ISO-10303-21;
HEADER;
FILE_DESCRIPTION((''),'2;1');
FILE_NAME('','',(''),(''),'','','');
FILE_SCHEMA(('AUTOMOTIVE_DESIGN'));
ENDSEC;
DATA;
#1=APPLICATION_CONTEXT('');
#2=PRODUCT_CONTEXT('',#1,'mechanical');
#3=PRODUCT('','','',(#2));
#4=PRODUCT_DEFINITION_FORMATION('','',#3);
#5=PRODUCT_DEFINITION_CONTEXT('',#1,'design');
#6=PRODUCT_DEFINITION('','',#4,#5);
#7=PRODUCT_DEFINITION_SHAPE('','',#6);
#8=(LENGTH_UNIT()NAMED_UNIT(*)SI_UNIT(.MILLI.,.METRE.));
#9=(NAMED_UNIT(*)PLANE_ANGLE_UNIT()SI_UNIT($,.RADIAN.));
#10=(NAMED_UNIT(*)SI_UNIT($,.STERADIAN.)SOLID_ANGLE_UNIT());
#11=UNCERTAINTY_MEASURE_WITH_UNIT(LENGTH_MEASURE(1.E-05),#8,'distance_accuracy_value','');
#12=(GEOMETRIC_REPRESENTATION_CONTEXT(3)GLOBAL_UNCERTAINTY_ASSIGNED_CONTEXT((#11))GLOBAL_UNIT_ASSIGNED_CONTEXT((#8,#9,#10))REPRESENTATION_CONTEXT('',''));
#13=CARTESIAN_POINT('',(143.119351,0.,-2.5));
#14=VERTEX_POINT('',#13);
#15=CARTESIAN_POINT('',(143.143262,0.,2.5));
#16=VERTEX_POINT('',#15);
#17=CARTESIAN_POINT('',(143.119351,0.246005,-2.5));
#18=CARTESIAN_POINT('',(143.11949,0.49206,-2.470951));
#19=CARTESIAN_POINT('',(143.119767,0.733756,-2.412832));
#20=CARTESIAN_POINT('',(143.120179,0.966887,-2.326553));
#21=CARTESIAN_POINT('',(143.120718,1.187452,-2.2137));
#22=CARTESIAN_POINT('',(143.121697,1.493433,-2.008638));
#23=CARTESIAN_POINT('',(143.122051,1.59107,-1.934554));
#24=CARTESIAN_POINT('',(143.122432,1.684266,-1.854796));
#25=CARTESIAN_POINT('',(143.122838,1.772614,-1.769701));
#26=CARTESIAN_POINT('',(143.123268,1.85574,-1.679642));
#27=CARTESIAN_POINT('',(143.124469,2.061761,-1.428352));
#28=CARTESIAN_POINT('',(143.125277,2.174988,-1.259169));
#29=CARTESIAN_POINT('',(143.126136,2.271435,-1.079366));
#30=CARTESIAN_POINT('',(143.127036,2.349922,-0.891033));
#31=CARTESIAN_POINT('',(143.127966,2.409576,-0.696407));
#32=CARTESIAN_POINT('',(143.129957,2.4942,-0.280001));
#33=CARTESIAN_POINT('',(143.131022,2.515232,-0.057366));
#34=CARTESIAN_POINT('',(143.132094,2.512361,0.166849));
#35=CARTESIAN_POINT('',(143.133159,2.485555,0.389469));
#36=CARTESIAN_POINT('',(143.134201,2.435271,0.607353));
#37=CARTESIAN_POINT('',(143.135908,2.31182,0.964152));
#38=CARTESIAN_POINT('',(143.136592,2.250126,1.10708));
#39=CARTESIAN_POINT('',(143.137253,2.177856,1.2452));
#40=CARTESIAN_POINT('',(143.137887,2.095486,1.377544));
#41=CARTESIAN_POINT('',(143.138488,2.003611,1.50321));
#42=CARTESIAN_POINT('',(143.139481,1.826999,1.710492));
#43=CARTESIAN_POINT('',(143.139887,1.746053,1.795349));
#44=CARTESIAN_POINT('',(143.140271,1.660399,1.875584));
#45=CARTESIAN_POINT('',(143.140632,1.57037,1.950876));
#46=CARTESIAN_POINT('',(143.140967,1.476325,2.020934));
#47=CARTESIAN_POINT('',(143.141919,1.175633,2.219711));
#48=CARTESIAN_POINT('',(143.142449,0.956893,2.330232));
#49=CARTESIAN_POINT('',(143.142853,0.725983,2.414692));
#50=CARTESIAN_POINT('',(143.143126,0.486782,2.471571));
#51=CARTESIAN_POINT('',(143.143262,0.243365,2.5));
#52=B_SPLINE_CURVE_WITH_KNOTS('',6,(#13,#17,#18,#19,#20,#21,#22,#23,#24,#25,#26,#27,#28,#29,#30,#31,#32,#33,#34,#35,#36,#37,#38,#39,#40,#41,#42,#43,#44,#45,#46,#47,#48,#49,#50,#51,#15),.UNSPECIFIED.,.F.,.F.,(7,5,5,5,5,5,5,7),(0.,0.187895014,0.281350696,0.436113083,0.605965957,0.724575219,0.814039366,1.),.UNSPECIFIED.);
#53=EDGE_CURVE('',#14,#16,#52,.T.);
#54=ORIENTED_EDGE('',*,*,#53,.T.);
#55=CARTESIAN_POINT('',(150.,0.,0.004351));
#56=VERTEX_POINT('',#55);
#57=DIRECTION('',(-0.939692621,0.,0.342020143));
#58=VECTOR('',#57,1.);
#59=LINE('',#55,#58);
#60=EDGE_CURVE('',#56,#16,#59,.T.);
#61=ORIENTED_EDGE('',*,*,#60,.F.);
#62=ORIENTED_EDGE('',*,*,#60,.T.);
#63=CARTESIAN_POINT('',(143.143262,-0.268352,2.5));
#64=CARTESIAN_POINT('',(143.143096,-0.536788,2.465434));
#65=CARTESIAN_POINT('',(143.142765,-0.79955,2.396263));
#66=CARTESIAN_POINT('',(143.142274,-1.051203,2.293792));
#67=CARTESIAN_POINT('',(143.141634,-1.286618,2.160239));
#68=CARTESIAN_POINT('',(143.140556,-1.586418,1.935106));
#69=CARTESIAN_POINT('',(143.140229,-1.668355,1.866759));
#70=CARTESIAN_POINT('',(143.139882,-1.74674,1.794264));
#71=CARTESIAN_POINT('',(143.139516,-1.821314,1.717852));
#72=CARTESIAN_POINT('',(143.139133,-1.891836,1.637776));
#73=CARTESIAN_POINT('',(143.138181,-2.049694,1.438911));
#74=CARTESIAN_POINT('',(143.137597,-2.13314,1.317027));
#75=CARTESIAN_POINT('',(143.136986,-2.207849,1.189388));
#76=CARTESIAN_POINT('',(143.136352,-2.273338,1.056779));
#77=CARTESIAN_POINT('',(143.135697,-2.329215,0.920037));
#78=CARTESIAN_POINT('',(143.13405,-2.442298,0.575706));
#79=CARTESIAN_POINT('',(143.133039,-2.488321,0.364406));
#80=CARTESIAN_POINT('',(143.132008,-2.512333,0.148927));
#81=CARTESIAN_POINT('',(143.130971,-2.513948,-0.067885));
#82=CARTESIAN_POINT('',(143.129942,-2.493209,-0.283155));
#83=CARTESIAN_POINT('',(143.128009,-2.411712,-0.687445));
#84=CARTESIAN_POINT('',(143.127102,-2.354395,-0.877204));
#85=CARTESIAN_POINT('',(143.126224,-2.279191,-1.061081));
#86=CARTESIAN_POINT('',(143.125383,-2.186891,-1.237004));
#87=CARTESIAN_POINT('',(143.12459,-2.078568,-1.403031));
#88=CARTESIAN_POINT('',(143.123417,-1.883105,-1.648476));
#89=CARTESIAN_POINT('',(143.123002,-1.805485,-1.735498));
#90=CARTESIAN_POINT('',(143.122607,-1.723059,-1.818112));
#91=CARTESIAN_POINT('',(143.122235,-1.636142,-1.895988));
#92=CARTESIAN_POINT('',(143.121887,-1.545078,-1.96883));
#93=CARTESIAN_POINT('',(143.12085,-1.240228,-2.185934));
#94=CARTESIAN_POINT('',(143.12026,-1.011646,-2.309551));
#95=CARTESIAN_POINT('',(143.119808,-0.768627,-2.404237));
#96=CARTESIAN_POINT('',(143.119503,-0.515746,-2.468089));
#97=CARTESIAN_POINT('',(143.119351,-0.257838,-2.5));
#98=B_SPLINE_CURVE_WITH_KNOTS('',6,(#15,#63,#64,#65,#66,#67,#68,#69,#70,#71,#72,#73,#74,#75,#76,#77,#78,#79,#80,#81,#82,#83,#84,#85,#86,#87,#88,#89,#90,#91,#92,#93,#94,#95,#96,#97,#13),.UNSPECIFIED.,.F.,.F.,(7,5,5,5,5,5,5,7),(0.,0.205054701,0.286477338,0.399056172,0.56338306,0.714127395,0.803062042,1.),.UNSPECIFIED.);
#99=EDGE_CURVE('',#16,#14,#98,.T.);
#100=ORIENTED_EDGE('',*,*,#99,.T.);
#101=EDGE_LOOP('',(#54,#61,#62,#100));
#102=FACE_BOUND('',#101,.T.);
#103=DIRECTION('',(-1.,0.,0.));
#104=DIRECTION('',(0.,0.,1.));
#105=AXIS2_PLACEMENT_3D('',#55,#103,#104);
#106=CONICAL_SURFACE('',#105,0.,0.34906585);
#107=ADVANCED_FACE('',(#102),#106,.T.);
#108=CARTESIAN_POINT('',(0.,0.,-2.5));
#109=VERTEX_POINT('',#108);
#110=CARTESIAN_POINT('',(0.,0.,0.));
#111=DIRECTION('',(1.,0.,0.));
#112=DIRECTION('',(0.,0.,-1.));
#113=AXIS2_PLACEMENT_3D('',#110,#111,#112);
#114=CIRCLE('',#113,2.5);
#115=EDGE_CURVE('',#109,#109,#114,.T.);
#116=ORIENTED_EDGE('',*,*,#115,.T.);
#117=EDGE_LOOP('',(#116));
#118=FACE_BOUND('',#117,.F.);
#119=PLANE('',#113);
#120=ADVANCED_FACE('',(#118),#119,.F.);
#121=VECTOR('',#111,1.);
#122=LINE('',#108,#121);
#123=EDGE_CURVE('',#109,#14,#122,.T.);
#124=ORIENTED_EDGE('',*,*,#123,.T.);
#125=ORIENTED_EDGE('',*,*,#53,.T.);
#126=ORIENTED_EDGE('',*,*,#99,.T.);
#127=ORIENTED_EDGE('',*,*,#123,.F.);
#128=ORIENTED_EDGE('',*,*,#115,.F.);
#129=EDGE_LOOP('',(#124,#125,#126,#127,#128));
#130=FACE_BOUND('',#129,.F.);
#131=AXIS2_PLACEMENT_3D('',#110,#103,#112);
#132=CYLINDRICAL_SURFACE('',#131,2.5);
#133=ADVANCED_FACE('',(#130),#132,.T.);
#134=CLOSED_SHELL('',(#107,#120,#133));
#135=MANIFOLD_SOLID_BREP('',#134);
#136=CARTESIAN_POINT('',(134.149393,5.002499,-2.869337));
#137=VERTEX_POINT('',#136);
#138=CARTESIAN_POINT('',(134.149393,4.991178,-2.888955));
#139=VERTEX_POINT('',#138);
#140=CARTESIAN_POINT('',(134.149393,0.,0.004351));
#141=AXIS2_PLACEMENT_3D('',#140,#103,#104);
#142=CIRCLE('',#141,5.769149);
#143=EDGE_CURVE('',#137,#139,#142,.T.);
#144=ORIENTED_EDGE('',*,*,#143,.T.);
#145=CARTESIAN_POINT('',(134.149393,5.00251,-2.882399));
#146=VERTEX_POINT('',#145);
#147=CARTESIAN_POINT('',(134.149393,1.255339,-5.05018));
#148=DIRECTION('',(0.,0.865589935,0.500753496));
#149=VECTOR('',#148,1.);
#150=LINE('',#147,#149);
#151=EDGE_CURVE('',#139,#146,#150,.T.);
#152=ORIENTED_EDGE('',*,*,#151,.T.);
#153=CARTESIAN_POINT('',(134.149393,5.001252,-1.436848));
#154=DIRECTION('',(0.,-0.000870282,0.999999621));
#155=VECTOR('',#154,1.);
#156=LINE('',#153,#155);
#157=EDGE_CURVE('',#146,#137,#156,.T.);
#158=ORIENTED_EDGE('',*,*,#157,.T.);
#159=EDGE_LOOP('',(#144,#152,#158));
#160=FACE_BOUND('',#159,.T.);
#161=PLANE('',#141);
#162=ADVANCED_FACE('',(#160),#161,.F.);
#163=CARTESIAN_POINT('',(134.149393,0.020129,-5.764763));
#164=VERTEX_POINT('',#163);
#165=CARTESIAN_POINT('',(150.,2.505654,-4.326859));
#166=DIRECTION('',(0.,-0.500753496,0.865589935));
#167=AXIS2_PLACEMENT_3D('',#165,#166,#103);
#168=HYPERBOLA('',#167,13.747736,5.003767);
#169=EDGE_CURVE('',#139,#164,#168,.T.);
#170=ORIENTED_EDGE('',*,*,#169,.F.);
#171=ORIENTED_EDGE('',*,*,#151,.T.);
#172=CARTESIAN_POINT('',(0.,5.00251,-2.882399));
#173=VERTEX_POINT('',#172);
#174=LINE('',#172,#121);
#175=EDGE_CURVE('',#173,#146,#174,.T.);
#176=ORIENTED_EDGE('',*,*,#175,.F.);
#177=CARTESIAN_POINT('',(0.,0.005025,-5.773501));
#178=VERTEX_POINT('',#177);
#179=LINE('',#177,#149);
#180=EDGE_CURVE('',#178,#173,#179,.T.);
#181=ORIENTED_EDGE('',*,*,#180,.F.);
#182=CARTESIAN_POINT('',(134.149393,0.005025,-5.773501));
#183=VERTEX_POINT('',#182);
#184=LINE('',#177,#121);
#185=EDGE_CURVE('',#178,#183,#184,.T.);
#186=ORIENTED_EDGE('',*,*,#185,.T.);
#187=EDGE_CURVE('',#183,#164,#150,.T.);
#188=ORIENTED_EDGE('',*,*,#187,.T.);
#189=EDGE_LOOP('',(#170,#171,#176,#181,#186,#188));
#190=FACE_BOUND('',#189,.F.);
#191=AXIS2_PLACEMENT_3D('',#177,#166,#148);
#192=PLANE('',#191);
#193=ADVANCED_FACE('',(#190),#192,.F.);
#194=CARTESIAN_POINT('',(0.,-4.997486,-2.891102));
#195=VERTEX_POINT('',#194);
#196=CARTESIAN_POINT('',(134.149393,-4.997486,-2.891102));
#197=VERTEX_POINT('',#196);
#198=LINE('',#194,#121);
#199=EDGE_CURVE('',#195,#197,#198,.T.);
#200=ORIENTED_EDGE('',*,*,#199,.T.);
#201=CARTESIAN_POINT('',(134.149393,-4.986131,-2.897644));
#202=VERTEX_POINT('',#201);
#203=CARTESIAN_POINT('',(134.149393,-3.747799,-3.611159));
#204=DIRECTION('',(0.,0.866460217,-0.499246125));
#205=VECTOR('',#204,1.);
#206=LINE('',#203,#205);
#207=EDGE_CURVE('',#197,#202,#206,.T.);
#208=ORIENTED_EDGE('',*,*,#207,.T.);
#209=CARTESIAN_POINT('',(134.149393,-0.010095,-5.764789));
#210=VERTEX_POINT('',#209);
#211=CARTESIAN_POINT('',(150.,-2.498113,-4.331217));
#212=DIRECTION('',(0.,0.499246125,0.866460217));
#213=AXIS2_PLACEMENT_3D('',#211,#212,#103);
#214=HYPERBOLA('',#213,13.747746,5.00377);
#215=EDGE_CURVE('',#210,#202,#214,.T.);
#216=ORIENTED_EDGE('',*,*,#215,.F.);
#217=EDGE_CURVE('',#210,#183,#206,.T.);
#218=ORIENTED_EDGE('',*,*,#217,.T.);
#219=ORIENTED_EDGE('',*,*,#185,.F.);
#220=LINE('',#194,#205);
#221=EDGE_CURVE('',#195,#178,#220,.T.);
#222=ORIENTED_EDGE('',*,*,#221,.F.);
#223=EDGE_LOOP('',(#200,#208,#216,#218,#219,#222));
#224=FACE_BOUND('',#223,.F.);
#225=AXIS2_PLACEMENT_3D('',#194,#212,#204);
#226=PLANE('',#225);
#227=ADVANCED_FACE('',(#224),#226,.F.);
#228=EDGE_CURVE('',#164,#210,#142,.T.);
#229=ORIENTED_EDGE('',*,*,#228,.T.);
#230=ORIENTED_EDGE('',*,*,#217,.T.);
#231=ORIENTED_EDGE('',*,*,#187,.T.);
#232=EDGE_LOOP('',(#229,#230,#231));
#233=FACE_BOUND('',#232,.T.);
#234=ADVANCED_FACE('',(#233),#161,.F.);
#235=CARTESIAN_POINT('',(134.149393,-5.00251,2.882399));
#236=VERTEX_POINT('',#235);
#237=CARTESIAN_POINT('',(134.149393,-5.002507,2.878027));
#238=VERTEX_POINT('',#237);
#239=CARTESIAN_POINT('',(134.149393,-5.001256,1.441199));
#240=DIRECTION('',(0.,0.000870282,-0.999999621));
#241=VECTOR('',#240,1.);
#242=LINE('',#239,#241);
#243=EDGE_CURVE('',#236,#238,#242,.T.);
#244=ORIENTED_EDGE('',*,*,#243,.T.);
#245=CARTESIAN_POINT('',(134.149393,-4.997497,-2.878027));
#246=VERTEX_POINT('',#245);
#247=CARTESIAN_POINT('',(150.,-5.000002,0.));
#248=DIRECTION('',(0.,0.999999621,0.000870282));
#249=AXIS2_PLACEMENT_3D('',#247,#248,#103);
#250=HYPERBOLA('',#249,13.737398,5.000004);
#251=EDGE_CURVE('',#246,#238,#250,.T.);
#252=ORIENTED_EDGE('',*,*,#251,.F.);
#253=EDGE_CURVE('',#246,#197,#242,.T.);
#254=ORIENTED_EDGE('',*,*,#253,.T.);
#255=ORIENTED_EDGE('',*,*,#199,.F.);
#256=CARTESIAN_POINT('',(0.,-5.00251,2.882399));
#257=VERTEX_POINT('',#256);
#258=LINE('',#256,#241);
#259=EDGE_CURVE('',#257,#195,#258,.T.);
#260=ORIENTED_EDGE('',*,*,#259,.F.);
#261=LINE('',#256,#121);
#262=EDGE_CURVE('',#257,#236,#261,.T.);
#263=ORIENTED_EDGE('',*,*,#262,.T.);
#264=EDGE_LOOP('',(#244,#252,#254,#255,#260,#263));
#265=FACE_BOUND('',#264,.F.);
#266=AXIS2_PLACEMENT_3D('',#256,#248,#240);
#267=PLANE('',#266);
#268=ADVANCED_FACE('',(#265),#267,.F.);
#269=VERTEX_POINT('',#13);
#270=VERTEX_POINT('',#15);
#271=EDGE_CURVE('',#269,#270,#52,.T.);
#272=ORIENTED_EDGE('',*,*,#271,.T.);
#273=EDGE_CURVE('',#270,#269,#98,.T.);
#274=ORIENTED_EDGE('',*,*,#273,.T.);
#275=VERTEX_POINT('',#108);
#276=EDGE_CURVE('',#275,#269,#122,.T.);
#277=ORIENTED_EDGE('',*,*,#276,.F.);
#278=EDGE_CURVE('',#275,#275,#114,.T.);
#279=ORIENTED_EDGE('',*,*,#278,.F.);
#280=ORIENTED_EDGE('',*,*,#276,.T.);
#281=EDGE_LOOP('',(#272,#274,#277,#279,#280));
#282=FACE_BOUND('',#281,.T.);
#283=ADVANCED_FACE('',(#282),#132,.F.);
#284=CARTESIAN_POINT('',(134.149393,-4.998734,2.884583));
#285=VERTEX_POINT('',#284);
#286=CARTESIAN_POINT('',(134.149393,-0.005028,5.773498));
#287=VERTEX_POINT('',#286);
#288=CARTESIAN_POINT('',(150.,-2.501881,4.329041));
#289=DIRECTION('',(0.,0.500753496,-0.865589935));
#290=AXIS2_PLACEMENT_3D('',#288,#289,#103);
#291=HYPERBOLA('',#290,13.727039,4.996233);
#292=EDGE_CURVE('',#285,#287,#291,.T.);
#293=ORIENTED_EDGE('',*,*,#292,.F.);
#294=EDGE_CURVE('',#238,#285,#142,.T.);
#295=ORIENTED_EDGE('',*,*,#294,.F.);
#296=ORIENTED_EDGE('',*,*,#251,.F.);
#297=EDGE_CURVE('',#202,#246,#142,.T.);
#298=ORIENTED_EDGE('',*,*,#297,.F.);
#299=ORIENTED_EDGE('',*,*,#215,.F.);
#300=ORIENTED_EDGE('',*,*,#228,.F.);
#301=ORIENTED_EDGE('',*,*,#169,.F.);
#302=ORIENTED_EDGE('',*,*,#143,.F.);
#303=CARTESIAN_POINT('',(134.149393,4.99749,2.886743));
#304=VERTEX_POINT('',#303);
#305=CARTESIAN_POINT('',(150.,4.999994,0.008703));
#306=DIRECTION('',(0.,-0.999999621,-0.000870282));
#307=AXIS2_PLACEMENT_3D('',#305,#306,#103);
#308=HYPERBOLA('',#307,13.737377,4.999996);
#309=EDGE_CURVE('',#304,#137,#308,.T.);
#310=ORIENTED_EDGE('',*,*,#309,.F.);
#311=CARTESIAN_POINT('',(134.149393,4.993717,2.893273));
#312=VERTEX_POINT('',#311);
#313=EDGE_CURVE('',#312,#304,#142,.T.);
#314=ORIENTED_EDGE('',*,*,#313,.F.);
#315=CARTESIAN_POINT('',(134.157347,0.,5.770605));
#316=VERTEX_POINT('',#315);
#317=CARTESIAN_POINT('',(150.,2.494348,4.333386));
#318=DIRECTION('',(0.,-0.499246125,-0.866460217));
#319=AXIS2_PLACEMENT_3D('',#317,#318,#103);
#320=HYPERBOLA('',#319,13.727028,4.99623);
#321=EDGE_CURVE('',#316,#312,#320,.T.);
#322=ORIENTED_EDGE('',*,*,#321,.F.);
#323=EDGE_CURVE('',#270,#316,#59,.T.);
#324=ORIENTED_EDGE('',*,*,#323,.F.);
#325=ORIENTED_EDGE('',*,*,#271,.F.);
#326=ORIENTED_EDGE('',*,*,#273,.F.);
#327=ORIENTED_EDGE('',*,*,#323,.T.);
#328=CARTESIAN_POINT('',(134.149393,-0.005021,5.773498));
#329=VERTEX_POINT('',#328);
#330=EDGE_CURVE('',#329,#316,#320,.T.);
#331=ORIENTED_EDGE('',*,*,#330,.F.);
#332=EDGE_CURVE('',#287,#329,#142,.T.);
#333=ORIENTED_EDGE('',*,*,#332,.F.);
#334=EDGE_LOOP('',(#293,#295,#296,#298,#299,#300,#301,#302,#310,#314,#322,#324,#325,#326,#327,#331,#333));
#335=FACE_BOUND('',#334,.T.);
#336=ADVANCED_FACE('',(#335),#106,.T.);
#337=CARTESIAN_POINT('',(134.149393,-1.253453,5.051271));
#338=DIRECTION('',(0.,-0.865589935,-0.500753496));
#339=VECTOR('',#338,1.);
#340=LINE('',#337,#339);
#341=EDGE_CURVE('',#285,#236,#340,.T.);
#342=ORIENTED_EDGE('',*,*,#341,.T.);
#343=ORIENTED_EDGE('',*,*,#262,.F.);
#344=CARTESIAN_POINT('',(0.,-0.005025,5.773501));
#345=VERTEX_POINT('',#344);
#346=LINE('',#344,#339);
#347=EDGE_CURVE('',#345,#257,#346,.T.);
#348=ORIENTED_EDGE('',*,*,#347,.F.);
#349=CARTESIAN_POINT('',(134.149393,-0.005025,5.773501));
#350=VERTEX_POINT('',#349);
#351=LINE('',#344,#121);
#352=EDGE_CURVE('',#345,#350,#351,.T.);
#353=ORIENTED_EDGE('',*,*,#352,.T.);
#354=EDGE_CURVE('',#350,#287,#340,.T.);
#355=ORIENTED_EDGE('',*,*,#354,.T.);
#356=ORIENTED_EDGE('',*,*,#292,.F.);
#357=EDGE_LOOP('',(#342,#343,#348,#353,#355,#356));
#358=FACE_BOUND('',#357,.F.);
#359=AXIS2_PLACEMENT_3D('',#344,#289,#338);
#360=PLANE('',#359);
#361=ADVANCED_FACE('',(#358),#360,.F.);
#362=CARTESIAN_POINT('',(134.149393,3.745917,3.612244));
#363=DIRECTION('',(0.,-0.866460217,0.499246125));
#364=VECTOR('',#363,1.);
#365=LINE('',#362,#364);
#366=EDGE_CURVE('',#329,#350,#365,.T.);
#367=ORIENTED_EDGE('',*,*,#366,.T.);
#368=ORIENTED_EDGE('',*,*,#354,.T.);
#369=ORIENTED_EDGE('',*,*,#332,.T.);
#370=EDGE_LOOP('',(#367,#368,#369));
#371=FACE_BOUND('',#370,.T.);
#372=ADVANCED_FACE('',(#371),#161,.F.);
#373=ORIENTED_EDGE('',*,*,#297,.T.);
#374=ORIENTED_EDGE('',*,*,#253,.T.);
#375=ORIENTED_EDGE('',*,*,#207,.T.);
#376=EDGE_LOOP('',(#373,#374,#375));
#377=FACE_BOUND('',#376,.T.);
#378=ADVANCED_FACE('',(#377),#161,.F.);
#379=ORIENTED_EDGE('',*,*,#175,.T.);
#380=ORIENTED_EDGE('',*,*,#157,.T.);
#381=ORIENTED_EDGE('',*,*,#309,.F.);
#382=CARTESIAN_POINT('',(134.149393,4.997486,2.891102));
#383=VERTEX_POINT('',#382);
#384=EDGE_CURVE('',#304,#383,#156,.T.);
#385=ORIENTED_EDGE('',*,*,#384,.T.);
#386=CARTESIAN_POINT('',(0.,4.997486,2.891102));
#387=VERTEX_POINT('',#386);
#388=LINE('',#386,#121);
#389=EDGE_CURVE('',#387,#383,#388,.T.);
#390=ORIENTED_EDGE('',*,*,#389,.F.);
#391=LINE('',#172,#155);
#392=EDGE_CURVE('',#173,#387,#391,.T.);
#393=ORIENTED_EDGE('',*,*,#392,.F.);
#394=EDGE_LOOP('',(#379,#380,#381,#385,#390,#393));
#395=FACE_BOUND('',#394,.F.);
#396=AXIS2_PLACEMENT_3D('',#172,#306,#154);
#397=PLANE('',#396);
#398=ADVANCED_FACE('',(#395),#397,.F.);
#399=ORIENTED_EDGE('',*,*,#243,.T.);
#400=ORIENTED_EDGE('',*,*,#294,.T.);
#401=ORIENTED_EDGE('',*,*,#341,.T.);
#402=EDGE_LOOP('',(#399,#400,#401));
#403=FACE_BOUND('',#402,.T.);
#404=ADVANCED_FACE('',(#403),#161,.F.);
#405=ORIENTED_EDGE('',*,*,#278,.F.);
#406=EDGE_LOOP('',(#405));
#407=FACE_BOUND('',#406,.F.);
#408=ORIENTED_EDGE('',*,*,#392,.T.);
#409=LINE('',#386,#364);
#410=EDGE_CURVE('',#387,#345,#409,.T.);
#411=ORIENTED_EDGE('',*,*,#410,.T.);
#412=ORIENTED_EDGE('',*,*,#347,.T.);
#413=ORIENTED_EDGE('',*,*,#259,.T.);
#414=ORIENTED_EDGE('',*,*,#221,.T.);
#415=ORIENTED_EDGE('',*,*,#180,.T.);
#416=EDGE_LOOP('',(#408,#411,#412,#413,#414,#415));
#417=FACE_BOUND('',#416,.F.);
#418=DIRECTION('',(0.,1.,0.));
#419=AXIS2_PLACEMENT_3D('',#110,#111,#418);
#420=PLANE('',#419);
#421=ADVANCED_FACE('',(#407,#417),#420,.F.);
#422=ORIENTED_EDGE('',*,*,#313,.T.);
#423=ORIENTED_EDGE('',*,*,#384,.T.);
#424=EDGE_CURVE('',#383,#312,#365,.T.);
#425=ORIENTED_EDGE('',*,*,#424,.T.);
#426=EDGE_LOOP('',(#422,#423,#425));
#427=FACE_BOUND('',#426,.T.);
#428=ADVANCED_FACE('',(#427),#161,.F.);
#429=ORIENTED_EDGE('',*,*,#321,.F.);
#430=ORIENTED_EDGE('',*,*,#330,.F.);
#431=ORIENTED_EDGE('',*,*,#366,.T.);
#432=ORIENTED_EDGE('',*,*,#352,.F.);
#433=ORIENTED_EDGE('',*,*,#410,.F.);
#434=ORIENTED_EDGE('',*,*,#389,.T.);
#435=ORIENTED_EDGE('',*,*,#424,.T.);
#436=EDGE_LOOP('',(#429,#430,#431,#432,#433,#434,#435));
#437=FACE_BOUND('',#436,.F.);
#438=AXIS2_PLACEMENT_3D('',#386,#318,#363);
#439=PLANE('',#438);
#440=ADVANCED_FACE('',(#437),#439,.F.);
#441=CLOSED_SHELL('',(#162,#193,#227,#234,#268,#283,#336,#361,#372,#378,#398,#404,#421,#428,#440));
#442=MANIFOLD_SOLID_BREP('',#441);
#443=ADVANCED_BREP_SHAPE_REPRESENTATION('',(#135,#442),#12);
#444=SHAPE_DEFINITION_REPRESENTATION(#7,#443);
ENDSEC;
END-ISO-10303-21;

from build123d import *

# Parameters (mm, degrees)
SKETCH1_R           = 2.5
BOSS_EXTRUDE1_DEPTH = 150
SKETCH2_R           = 2.5
BOSS_EXTRUDE2_DEPTH = 150


with BuildPart() as part:
    # Sketch1 → Boss-Extrude1 (new body)
    with BuildSketch(Plane.YZ):
        Polygon((5.002510393, -2.882398845), (4.99748582, 2.89110166), (-0.005024572, 5.773500505), (-5.002510393, 2.882398845), (-4.99748582, -2.89110166), (0.005024572, -5.773500505), align=None)
        with Locations(Location((0, 0, 0), (0, 0, 270))):
            Circle(SKETCH1_R, mode=Mode.SUBTRACT)
    extrude(amount=BOSS_EXTRUDE1_DEPTH)


with BuildPart() as body_2:
    # Sketch2 → Boss-Extrude2 (new body)
    with BuildSketch(Plane.YZ):
        with Locations(Location((0, 0, 0), (0, 0, 270))):
            Circle(SKETCH2_R)
    extrude(amount=BOSS_EXTRUDE2_DEPTH)


with BuildPart() as cut_revolve1_tool:
    # Sketch3 → Cut-Revolve1 (revolve)
    with BuildSketch(Plane(origin=(0, 0, 0), x_dir=(-1, 0, 0), z_dir=(0, 1, 0))):
        Polygon((-150, 0.004351407), (-134.149393124, 5.773500505), (-134.149393124, 15.773500505), (-160, 15.773500505), (-160, 0.004351407), align=None)
    revolve(axis=Axis((160, 0, 0.004351407), (-1, 0, 0)))


with BuildPart() as part_1:
    add(part.part)

    # Cut-Revolve1: cut by cut_revolve1_tool
    add(cut_revolve1_tool.part, mode=Mode.SUBTRACT)


with BuildPart() as body_2_1:
    add(body_2.part)

    # Cut-Revolve1: cut by cut_revolve1_tool
    add(cut_revolve1_tool.part, mode=Mode.SUBTRACT)


solid = Compound([part_1.part, body_2_1.part])
